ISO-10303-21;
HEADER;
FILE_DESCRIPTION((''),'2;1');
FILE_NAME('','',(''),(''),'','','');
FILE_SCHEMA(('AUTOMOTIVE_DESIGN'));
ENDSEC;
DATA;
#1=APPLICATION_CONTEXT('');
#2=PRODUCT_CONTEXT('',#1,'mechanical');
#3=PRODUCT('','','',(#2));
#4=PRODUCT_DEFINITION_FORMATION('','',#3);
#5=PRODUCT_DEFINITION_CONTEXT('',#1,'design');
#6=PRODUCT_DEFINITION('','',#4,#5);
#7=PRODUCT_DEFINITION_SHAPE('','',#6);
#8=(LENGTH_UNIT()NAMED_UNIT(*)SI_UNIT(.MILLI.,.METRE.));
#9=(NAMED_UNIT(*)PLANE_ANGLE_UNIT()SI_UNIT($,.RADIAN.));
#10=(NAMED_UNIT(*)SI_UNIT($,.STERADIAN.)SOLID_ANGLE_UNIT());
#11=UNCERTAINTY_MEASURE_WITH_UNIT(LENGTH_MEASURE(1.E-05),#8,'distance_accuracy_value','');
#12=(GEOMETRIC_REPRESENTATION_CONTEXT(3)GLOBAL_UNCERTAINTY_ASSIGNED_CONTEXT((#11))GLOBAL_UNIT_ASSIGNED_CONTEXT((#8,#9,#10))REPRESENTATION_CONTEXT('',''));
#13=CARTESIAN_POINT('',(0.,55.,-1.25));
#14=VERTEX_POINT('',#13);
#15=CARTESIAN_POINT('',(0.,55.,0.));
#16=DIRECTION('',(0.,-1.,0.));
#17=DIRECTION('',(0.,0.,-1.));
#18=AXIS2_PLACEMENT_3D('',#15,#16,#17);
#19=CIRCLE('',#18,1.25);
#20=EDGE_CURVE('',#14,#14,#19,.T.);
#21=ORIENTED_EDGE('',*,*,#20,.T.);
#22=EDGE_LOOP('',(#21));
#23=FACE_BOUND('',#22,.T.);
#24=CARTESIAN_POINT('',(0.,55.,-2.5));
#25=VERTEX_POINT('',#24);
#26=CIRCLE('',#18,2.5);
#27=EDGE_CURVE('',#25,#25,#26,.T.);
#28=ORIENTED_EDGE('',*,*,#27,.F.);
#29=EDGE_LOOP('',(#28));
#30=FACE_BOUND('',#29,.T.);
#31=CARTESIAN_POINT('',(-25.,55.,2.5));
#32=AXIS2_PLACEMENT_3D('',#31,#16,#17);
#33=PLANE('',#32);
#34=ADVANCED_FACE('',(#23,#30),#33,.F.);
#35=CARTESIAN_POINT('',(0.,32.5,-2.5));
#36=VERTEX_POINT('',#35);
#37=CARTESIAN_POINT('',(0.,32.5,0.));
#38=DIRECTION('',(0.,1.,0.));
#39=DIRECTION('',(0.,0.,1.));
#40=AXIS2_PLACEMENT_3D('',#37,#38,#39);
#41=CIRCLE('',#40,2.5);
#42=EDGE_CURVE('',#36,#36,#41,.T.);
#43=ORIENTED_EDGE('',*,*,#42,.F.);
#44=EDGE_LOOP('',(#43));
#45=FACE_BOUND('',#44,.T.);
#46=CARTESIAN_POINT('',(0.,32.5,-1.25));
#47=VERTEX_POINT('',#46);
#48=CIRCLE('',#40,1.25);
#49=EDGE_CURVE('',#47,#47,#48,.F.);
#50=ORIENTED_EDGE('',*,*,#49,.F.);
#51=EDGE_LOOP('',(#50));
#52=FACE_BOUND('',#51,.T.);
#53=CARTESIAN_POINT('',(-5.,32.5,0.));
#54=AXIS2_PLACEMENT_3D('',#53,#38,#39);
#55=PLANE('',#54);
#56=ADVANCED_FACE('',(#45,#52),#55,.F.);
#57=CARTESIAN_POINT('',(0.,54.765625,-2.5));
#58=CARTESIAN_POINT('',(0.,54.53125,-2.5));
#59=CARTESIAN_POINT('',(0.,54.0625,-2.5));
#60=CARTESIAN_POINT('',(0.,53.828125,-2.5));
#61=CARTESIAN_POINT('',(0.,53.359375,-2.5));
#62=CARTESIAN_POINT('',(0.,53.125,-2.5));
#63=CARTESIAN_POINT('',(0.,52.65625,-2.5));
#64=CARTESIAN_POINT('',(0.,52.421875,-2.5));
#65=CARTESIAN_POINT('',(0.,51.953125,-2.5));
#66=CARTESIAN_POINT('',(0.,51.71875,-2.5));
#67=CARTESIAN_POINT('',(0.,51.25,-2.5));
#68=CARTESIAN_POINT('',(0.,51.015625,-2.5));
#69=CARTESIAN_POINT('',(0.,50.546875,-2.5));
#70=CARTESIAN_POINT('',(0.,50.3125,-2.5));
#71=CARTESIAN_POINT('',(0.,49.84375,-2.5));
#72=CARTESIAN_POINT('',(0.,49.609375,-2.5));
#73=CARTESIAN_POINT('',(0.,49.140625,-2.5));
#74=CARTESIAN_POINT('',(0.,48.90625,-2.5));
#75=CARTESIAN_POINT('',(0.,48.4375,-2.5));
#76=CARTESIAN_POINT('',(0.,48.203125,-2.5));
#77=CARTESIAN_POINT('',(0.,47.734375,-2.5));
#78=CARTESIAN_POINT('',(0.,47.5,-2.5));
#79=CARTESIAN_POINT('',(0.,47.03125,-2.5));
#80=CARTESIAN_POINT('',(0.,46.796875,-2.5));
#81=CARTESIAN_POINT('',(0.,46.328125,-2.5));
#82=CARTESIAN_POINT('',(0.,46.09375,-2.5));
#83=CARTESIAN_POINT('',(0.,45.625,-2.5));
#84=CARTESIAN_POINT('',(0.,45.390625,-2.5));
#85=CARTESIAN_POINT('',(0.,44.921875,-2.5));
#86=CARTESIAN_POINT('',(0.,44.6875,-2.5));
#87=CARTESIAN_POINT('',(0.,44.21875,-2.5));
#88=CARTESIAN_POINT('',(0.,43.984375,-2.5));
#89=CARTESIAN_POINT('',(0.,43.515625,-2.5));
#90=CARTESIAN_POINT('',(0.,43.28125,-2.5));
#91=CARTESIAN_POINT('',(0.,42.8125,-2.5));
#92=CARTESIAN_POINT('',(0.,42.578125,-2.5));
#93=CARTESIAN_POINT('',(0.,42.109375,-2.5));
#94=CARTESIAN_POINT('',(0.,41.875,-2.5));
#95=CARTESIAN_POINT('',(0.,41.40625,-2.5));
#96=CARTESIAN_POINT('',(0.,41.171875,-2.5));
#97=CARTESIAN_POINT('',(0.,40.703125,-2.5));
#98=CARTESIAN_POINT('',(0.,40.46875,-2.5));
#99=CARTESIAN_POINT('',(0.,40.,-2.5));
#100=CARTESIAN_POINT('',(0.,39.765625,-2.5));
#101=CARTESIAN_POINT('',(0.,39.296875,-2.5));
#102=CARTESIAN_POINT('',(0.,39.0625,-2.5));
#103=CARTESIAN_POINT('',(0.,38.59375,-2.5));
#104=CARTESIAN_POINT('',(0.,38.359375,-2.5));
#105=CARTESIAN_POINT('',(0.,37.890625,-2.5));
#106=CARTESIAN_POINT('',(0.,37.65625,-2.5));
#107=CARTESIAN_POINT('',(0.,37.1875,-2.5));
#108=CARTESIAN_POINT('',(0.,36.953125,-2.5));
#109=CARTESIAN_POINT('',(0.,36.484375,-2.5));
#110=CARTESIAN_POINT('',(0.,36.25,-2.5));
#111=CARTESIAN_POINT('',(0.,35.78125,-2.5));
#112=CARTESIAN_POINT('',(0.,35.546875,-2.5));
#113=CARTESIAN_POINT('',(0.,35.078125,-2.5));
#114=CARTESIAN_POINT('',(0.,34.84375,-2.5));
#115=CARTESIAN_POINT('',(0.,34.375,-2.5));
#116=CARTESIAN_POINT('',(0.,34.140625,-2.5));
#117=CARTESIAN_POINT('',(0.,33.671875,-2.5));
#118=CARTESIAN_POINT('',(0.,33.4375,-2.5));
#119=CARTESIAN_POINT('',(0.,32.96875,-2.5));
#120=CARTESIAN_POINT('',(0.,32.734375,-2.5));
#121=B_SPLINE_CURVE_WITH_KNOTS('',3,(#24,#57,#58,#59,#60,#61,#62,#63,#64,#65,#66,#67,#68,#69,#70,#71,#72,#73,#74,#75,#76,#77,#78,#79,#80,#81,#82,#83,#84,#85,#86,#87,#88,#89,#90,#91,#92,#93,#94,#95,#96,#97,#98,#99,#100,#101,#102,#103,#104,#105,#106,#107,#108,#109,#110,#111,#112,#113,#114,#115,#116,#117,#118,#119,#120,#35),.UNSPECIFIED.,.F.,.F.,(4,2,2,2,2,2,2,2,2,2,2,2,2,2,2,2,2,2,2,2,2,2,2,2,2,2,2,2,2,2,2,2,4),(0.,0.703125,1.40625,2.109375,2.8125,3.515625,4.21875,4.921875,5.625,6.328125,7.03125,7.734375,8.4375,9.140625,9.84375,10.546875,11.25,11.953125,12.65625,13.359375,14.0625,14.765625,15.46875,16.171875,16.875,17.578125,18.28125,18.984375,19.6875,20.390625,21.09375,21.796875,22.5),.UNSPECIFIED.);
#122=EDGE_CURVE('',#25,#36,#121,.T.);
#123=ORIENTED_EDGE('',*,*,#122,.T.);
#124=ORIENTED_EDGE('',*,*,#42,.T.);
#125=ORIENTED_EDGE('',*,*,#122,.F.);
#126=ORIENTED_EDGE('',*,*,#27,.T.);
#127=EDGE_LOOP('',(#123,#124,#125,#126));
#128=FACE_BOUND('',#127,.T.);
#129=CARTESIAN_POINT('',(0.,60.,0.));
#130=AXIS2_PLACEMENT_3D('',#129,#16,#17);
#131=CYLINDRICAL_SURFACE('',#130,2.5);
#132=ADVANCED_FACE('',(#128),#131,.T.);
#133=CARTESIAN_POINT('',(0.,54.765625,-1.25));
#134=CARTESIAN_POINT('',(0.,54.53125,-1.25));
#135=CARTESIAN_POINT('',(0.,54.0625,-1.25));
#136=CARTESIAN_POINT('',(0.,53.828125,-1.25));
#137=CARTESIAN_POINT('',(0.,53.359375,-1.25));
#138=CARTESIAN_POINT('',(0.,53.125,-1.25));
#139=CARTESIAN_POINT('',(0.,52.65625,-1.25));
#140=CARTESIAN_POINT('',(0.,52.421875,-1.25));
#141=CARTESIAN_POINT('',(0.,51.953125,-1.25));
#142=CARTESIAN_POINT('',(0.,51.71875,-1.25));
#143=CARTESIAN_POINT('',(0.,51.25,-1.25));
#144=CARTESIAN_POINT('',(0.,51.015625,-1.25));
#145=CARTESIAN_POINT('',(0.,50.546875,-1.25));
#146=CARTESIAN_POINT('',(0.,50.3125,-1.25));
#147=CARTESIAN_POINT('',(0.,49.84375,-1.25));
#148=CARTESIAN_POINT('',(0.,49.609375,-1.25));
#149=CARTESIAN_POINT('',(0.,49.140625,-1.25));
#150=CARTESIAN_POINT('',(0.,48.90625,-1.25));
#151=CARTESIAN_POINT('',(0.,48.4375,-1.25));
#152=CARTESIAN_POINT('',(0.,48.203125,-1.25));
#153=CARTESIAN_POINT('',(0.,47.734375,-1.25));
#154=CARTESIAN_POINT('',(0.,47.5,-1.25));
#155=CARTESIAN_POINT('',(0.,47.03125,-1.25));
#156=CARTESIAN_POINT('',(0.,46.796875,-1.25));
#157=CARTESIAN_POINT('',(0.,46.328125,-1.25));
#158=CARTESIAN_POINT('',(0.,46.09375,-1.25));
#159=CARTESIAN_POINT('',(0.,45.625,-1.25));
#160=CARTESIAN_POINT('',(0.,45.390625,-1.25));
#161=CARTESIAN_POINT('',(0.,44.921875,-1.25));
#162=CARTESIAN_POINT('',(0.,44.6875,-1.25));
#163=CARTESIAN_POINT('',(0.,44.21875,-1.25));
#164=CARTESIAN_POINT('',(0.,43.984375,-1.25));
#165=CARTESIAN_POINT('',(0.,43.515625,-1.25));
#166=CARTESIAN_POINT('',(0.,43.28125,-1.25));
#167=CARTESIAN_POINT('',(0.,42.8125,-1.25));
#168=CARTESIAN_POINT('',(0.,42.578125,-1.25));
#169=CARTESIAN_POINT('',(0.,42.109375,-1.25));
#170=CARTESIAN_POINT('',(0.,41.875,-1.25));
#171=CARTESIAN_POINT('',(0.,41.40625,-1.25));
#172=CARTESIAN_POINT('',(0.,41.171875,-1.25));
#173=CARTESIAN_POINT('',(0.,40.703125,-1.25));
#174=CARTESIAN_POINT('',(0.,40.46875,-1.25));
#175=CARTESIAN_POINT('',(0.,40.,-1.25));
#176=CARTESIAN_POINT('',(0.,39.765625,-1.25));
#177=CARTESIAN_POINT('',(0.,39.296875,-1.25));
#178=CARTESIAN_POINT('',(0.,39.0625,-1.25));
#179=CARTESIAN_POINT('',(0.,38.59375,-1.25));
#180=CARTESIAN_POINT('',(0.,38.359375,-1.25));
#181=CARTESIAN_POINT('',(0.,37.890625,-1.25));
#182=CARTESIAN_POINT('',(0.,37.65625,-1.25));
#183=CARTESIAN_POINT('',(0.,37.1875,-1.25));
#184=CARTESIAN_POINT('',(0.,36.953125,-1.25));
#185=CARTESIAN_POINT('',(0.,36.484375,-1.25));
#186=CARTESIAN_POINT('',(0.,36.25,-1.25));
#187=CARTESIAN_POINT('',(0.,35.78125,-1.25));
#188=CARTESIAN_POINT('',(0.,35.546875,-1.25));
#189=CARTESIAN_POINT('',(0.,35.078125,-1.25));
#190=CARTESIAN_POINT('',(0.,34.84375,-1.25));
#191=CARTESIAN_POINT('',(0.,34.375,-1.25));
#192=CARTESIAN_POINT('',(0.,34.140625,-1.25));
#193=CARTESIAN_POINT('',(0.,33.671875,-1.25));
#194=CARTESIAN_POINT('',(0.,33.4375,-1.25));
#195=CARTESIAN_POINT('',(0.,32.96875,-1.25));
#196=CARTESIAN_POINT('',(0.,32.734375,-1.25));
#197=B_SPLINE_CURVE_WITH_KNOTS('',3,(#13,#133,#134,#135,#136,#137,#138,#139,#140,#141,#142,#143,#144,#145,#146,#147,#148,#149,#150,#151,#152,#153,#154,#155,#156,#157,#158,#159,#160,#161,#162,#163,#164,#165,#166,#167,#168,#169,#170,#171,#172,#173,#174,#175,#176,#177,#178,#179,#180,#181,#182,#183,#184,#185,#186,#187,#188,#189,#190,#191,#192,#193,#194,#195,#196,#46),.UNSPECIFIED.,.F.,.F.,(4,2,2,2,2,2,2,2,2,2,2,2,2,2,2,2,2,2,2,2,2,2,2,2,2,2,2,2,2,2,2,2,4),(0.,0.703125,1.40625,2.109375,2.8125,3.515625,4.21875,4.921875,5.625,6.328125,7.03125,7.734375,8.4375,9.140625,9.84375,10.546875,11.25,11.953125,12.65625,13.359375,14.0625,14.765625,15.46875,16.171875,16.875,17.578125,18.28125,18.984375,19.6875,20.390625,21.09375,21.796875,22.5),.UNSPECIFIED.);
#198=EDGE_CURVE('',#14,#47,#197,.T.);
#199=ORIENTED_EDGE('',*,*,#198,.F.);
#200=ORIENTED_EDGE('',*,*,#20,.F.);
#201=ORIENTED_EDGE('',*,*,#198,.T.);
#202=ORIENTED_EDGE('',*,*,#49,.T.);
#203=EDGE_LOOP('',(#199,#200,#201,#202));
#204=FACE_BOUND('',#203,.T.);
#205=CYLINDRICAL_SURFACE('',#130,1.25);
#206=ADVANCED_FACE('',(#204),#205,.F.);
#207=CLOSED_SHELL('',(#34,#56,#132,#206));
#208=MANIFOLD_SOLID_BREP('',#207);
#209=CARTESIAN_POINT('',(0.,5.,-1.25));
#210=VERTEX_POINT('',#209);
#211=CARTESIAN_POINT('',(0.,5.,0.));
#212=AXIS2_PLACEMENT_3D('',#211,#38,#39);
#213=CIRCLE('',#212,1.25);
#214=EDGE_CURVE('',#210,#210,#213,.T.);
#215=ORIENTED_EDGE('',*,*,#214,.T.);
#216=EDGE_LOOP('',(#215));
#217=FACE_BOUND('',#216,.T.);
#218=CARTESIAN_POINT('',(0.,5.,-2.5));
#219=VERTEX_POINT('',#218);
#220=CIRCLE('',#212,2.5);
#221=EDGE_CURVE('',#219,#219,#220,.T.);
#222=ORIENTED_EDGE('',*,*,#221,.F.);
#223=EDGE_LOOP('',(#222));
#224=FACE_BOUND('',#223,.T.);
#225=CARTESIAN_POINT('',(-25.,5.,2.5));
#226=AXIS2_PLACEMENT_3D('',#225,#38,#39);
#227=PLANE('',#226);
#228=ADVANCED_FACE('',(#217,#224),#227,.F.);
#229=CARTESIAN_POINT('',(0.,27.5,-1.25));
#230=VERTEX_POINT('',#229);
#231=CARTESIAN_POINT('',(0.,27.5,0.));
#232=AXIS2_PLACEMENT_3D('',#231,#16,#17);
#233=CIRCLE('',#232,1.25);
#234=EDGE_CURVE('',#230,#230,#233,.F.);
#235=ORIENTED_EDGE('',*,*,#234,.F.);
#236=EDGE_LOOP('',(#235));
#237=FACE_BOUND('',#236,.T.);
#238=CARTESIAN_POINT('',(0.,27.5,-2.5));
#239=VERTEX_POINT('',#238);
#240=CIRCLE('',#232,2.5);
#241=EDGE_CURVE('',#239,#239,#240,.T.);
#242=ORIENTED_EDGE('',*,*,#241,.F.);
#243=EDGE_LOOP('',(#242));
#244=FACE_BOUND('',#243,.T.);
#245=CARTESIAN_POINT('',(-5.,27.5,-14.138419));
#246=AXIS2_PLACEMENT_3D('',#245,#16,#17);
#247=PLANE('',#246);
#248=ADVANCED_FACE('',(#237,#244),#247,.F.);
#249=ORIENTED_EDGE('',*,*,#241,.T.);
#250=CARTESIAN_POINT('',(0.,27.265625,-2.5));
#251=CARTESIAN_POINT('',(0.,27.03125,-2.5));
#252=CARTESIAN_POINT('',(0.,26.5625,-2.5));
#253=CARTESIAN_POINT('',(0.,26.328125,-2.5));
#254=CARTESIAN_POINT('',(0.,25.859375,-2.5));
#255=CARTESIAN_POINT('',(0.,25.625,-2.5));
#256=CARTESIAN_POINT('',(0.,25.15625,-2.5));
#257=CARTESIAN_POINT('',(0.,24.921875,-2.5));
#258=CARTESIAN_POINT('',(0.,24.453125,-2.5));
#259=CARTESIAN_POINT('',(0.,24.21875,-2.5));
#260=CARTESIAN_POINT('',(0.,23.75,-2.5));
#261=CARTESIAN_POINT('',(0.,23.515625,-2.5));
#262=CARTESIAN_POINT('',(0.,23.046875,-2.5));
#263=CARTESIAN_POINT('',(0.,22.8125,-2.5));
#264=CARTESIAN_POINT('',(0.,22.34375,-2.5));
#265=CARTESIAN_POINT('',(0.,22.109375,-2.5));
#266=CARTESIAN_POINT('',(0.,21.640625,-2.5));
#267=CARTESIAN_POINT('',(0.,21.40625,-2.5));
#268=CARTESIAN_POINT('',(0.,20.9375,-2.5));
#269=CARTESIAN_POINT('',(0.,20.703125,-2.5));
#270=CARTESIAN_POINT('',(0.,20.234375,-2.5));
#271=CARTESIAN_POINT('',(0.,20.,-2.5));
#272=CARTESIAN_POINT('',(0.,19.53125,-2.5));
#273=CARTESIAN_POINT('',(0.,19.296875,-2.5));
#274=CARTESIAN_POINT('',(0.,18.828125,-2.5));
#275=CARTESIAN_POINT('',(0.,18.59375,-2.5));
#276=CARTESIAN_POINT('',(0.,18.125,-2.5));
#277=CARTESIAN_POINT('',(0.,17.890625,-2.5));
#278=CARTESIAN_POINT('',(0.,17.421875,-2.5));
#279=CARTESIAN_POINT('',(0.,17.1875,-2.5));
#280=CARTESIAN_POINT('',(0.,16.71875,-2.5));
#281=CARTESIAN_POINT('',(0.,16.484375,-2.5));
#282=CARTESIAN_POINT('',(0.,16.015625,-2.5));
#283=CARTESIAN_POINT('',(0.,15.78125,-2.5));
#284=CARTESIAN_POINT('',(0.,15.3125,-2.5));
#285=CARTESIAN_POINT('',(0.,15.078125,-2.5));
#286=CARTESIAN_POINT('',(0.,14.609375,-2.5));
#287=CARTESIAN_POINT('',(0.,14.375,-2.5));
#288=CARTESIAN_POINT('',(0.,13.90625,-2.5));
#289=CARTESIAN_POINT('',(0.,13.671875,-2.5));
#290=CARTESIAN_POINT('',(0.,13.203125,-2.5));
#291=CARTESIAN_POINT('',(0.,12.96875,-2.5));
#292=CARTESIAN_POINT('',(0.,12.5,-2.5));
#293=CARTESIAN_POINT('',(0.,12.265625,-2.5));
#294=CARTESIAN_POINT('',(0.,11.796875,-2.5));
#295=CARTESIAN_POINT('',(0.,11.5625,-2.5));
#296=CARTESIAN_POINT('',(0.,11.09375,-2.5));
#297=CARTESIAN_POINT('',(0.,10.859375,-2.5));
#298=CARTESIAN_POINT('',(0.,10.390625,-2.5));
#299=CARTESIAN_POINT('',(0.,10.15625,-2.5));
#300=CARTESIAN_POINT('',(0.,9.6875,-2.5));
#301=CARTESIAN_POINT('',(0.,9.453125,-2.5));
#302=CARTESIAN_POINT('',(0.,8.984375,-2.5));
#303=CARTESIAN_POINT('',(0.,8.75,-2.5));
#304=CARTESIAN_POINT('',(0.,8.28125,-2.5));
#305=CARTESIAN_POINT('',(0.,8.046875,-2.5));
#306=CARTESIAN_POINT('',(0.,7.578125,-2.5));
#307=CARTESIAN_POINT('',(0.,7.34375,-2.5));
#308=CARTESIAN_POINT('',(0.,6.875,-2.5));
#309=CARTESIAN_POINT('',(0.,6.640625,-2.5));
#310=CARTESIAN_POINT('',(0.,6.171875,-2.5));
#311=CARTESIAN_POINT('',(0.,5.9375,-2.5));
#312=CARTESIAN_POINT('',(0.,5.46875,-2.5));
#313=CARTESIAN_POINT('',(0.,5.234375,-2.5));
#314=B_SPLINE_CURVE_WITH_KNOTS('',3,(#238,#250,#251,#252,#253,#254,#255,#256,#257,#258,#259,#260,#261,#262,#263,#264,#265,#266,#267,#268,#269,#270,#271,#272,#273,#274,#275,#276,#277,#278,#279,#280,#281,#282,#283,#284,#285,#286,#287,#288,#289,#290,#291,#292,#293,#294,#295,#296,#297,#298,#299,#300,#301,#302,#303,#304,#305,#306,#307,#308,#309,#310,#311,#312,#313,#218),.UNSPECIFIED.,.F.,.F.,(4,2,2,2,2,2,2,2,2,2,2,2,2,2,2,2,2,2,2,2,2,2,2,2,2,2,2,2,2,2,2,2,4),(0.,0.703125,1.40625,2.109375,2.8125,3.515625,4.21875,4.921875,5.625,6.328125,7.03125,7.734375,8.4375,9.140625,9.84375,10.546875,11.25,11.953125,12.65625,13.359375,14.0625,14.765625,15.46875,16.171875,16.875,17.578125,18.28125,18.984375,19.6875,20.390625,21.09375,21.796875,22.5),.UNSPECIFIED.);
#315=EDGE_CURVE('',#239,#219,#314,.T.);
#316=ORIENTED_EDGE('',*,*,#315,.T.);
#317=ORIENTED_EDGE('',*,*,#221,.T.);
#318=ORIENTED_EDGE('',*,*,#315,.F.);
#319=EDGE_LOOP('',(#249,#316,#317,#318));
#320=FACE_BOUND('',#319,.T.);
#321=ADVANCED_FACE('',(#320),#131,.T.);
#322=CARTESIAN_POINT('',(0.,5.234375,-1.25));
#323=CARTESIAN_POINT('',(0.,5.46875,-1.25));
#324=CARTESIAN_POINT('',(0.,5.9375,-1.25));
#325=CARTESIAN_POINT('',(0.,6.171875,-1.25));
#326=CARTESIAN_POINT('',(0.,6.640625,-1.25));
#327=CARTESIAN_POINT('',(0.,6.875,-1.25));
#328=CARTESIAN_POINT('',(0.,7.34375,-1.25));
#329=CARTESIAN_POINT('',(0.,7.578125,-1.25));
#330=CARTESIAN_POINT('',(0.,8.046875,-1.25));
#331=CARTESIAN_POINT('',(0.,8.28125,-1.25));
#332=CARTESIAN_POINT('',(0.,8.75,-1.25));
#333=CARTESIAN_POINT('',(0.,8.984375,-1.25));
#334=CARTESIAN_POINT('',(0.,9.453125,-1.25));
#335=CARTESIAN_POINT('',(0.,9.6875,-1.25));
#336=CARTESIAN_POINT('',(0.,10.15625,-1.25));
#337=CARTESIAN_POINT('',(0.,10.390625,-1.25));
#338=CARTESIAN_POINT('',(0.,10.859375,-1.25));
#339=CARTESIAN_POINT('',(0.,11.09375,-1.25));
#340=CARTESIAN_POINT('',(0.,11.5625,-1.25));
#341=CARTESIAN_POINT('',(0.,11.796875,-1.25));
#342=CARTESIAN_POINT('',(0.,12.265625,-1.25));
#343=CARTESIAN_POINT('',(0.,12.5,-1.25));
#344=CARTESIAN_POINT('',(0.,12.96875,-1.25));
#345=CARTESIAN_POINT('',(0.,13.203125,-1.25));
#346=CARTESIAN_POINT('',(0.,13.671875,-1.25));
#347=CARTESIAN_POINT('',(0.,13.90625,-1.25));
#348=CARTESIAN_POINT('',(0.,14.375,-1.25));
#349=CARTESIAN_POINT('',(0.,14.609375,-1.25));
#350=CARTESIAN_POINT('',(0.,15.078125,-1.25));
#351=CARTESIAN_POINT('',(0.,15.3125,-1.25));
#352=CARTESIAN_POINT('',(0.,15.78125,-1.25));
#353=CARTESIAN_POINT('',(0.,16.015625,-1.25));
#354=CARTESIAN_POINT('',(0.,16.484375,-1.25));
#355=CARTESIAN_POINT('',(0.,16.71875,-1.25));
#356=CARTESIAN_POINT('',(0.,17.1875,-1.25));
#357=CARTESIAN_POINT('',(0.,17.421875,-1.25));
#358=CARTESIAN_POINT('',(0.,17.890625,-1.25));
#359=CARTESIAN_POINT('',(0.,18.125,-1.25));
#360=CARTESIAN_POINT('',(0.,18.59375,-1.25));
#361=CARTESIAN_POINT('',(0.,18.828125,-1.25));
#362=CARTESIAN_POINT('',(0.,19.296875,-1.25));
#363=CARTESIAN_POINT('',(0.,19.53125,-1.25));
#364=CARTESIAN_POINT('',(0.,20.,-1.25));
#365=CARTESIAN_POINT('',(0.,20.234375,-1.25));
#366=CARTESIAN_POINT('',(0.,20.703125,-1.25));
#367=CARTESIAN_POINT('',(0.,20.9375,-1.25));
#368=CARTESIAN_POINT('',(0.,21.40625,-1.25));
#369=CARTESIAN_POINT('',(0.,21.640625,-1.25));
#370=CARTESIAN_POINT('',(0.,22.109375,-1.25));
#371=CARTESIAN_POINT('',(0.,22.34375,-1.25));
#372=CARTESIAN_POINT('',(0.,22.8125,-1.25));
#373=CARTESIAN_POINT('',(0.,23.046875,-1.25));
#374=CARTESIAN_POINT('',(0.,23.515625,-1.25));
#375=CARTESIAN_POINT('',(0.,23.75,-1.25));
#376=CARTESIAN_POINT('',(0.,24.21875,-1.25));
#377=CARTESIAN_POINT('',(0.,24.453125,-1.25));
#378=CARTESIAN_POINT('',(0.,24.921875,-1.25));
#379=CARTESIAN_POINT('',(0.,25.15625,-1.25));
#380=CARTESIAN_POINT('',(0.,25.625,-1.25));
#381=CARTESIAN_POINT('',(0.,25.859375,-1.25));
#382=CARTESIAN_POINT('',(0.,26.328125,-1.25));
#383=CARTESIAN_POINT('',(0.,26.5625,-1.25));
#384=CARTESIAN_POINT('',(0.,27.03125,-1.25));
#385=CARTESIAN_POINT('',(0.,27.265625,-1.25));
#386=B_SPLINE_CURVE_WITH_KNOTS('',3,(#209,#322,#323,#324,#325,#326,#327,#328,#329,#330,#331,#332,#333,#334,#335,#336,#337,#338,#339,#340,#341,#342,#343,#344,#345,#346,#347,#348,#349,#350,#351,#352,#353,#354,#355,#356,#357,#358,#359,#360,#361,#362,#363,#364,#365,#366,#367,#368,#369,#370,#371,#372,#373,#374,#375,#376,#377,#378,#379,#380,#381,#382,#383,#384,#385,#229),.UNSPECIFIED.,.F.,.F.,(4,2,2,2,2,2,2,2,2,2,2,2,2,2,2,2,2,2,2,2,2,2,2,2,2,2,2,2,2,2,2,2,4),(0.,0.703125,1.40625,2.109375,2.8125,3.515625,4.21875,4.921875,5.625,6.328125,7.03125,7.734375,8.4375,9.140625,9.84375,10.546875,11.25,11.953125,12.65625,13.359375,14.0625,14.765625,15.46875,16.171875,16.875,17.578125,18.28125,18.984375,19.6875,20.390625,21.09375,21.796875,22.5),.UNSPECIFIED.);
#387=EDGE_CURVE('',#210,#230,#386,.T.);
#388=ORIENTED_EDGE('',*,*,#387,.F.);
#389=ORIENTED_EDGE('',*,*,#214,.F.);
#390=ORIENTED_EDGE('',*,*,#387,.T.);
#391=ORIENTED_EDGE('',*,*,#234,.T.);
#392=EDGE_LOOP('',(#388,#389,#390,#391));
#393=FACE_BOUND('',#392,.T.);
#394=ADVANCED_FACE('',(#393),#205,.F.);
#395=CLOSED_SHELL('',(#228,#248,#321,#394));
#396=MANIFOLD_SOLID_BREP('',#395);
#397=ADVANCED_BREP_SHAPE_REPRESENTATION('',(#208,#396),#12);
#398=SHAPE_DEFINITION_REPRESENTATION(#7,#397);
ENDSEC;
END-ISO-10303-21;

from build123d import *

# Parameters (mm, degrees)
SKETCH2_R           = 2.5
BOSS_EXTRUDE1_DEPTH = 60
CUT_EXTRUDE1_DEPTH  = 5
SKETCH6_R           = 1.25
CUT_EXTRUDE2_DEPTH  = 60
SKETCH7_W           = 5.0259895
SKETCH7_H           = 5
CUT_EXTRUDE3_DEPTH  = 25
SKETCH8_W           = 5
SKETCH8_H           = 5
CUT_EXTRUDE4_DEPTH  = 25


with BuildPart() as part:
    # Sketch2 → Boss-Extrude1 (new body)
    with BuildSketch(Plane(origin=(0, 0, 0), x_dir=(1, 0, 0), z_dir=(0, 1, 0))):
        with Locations(Location((0, 0, 0), (0, 0, 90))):
            Circle(SKETCH2_R)
    extrude(amount=BOSS_EXTRUDE1_DEPTH)

    # Sketch4 → Cut-Extrude1 (cut, symmetric)
    with BuildSketch(Plane(origin=(0, 0, 0), x_dir=(0, 0, -1), z_dir=(1, 0, 0))):
        Polygon((0, 32.5), (14.138418726, 32.5), (14.138418726, 27.5), (-5.192428116, 27.5), (-5.192428116, 32.5), align=None)
    extrude(amount=CUT_EXTRUDE1_DEPTH, both=True, mode=Mode.SUBTRACT)


with BuildPart() as cut_extrude1_piece_1:
    # of the separate pieces the step leaves, piece 1, a body of its own (cut_extrude1_pieces)
    add(part.part.solids().sort_by_distance((0, 32.5, -2.5))[0])


with BuildPart() as cut_extrude1_piece_2:
    # of the separate pieces the step leaves, piece 2, a body of its own (cut_extrude1_pieces)
    add(part.part.solids().sort_by_distance((0, 0, -2.5))[0])


with BuildPart() as cut_extrude2_tool:
    # Sketch6 → Cut-Extrude2 (new body)
    with BuildSketch(Plane(origin=(0, 0, 0), x_dir=(1, 0, 0), z_dir=(0, 1, 0))):
        with Locations(Location((0, 0, 0), (0, 0, 90))):
            Circle(SKETCH6_R)
    extrude(amount=CUT_EXTRUDE2_DEPTH)


with BuildPart() as cut_extrude1_piece_1_1:
    add(cut_extrude1_piece_1.part)

    # Cut-Extrude2: cut by cut_extrude2_tool
    add(cut_extrude2_tool.part, mode=Mode.SUBTRACT)

    # Sketch7 → Cut-Extrude3 (cut, symmetric)
    with BuildSketch(Plane(origin=(0, 0, 0), x_dir=(0, 0, -1), z_dir=(1, 0, 0))):
        with Locations((0.01299475, 57.5)):
            Rectangle(SKETCH7_W, SKETCH7_H)
    extrude(amount=CUT_EXTRUDE3_DEPTH, both=True, mode=Mode.SUBTRACT)


with BuildPart() as cut_extrude1_piece_2_1:
    add(cut_extrude1_piece_2.part)

    # Cut-Extrude2: cut by cut_extrude2_tool
    add(cut_extrude2_tool.part, mode=Mode.SUBTRACT)

    # Sketch8 → Cut-Extrude4 (cut, symmetric)
    with BuildSketch(Plane(origin=(0, 0, 0), x_dir=(0, 0, -1), z_dir=(1, 0, 0))):
        with Locations((0, 2.5)):
            Rectangle(SKETCH8_W, SKETCH8_H)
    extrude(amount=CUT_EXTRUDE4_DEPTH, both=True, mode=Mode.SUBTRACT)


solid = Compound([cut_extrude1_piece_1_1.part, cut_extrude1_piece_2_1.part])
